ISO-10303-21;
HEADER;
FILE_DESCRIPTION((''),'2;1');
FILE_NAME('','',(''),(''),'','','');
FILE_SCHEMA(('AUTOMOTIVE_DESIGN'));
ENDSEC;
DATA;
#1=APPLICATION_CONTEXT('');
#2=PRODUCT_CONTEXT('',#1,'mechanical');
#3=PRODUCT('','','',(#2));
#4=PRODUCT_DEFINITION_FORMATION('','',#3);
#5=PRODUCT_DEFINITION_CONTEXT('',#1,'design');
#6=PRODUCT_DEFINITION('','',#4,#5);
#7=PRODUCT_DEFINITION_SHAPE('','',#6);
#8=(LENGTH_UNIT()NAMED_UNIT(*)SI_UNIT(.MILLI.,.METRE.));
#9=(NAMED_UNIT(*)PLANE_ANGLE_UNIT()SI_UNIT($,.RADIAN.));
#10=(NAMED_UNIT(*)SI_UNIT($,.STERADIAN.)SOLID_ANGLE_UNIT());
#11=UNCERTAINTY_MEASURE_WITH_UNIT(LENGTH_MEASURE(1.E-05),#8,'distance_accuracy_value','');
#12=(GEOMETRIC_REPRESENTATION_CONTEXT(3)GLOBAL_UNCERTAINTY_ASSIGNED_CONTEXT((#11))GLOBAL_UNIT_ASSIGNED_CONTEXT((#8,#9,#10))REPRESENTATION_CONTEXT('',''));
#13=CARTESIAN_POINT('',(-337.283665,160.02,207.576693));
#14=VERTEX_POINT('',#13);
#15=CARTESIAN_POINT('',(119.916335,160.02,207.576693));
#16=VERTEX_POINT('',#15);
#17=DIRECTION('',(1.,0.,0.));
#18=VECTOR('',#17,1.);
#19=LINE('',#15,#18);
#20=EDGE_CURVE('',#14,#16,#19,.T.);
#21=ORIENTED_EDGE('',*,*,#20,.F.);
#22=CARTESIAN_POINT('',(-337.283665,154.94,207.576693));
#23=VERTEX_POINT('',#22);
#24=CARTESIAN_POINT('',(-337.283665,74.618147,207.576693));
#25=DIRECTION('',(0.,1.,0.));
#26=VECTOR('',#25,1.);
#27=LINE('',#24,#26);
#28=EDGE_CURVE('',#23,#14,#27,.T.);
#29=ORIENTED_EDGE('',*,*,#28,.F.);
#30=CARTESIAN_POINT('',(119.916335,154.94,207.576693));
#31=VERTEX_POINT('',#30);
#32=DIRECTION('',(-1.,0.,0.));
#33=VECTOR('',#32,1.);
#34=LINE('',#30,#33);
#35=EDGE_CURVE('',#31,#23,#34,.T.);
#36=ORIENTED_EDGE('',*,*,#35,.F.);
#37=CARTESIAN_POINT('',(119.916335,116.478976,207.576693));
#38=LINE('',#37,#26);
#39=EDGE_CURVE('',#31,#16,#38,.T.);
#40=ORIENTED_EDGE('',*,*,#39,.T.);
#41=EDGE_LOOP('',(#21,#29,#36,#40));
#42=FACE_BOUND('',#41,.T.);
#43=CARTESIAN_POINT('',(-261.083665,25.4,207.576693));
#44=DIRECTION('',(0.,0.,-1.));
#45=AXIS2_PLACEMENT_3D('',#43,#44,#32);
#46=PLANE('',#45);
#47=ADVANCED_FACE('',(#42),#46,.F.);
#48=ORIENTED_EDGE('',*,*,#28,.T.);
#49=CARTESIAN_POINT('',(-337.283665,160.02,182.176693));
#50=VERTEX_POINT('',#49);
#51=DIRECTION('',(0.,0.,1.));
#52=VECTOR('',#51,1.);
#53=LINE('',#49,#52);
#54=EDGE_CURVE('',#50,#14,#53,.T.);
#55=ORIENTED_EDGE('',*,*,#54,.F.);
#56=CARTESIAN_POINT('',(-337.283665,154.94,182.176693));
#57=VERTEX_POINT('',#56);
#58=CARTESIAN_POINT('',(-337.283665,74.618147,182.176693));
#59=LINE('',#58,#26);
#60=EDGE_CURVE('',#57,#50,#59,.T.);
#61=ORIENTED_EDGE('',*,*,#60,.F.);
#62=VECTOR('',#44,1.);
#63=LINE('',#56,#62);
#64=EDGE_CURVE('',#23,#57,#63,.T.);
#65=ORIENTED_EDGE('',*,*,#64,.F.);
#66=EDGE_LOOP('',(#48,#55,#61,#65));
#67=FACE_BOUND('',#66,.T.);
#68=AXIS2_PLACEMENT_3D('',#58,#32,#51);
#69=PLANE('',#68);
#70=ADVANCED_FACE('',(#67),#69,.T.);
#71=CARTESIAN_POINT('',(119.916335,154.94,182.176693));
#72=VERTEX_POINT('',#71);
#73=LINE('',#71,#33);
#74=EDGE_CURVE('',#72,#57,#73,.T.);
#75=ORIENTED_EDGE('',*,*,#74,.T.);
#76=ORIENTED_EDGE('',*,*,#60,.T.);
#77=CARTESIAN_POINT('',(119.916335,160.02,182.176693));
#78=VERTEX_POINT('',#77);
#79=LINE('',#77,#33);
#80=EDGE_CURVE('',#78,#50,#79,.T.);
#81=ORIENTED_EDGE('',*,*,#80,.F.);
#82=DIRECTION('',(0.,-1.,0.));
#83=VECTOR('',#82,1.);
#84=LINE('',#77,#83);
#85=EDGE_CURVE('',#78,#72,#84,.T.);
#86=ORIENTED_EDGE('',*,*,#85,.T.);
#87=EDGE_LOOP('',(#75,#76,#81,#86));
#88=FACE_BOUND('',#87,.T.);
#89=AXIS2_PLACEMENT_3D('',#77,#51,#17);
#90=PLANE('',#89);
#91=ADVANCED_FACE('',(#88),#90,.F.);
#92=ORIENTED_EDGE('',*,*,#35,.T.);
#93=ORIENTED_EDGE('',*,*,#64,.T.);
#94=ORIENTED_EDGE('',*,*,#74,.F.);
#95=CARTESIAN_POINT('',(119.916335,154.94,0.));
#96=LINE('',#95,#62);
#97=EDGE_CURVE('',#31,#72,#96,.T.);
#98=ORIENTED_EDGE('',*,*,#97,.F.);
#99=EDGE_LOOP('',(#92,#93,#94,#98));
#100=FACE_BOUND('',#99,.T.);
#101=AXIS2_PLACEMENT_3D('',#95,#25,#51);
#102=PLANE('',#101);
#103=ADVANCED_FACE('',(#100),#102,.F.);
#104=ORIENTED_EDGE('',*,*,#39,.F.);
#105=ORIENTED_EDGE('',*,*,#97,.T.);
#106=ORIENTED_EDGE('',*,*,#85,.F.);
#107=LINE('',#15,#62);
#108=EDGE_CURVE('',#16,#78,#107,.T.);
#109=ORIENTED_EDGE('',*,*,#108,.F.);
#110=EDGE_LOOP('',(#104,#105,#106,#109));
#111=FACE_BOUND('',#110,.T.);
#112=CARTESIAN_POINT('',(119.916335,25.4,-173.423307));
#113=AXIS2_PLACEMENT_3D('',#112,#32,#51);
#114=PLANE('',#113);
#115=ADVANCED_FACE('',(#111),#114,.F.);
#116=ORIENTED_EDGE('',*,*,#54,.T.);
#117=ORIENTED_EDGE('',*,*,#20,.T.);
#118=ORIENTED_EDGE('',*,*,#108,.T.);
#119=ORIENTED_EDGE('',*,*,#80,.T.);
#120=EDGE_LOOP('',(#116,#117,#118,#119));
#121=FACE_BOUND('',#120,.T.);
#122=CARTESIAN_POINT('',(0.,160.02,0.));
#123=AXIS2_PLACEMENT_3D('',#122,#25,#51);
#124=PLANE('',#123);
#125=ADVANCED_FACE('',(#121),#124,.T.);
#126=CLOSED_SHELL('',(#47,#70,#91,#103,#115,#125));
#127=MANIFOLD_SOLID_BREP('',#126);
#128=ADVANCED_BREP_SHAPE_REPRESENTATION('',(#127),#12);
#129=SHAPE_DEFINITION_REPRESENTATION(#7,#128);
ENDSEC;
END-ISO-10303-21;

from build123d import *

# Parameters (mm, degrees)
SKETCH1_W           = 381
SKETCH1_H           = 381
BOSS_EXTRUDE1_DEPTH = 25.4
FILLET1_R           = 25.4
BOSS_EXTRUDE2_START = 127
BOSS_EXTRUDE2_DEPTH = 127
FILLET5_R           = 2.54
FILLET6_R           = 2.54
SKETCH3_W           = 381
SKETCH3_H           = 45.536829563
BOSS_EXTRUDE3_DEPTH = 127
CUT_EXTRUDE1_START  = -127
CUT_EXTRUDE1_DEPTH  = 127
CUT_EXTRUDE2_START  = -127
CUT_EXTRUDE2_DEPTH  = 127
SKETCH7_W           = 159.592910526
SKETCH7_H           = 279.668363548
CUT_EXTRUDE3_DEPTH  = 540.805557869
CUT_EXTRUDE4_DEPTH  = 121.92
SKETCH10_W          = 12.830407975
SKETCH10_H          = 5.381034355
SKETCH10_W_2        = 12.189915085
SKETCH10_H_2        = 7.553204363
BOSS_EXTRUDE4_DEPTH = 5.08
SKETCH12_W          = 381
SKETCH12_H          = 5.08
BOSS_EXTRUDE5_DEPTH = 5.842
SKETCH14_W          = 25.4
SKETCH14_H          = 25.4
BOSS_EXTRUDE6_DEPTH = 5.08
SKETCH15_W          = 381
SKETCH15_H          = 25.4
BOSS_EXTRUDE7_DEPTH = 2.54
SKETCH18_W          = 25.978829563
SKETCH18_H          = 5.08
CUT_EXTRUDE6_DEPTH  = 463.44511455
SKETCH19_W          = 25.4
SKETCH19_H          = 2.54
CUT_EXTRUDE7_DEPTH  = 463.44511455
SKETCH21_W          = 76.2
SKETCH21_H          = 25.4
BOSS_EXTRUDE8_DEPTH = 5.08


with BuildPart() as part:
    # Sketch1 → Boss-Extrude1 (new body)
    with BuildSketch(Plane(origin=(0, 0, 0), x_dir=(1, 0, 0), z_dir=(0, 1, 0))):
        with Locations((-70.583665339, -17.076693227)):
            Rectangle(SKETCH1_W, SKETCH1_H)
    extrude(amount=BOSS_EXTRUDE1_DEPTH)

    # Fillet1
    fillet1_edges = [part.edges().sort_by_distance(p)[0] for p in [
        (-261.083665339, 12.7, -173.423306773),
        (119.916334661, 12.7, -173.423306773),
        (119.916334661, 12.7, 207.576693227),
        (-261.083665339, 12.7, 207.576693227),
    ]]
    fillet(fillet1_edges, radius=FILLET1_R)

    # Sketch2 → Boss-Extrude2 (add)
    with BuildSketch(Plane(origin=(0, 25.4, 0), x_dir=(1, 0, 0), z_dir=(0, 1, 0)).offset(BOSS_EXTRUDE2_START)):
        with BuildLine():
            ThreePointArc((94.516334661, -207.576693227), (112.476846903, -200.137205469), (119.916334661, -182.176693227))
            Line((119.916334661, -182.176693227), (119.916334661, -162.77058906))
            ThreePointArc((119.916334661, -162.77058906), (115.157902312, -162.131654008), (110.356896004, -162.096230085))
            Line((110.356896004, -162.096230085), (110.356896004, -169.819933243))
            ThreePointArc((110.356896004, -169.819933243), (110.63661406, -173.531591416), (110.356896004, -177.243249589))
            ThreePointArc((110.356896004, -177.243249589), (103.383001842, -191.043360408), (89.582891024, -198.017254569))
            ThreePointArc((89.582891024, -198.017254569), (85.871232851, -198.296972625), (82.159574678, -198.017254569))
            Line((82.159574678, -198.017254569), (74.435871519, -198.017254569))
            ThreePointArc((74.435871519, -198.017254569), (74.471295442, -202.818260878), (75.110230494, -207.576693227))
            Line((75.110230494, -207.576693227), (94.516334661, -207.576693227))
        make_face()
        with BuildLine():
            ThreePointArc((110.356896004, 127.942843631), (115.157902312, 127.978267553), (119.916334661, 128.617202605))
            Line((119.916334661, 128.617202605), (119.916334661, 148.023306773))
            ThreePointArc((119.916334661, 148.023306773), (112.476846903, 165.983819015), (94.516334661, 173.423306773))
            Line((94.516334661, 173.423306773), (75.110230494, 173.423306773))
            ThreePointArc((75.110230494, 173.423306773), (74.471295442, 168.664874423), (74.435871519, 163.863868115))
            Line((74.435871519, 163.863868115), (82.159574678, 163.863868115))
            ThreePointArc((82.159574678, 163.863868115), (85.871232851, 164.143586171), (89.582891024, 163.863868115))
            ThreePointArc((89.582891024, 163.863868115), (103.383001842, 156.889973954), (110.356896004, 143.089863135))
            ThreePointArc((110.356896004, 143.089863135), (110.63661406, 139.378204962), (110.356896004, 135.666546789))
            Line((110.356896004, 135.666546789), (110.356896004, 127.942843631))
        make_face()
        with BuildLine():
            Line((-235.683665339, -207.576693227), (-216.277561171, -207.576693227))
            ThreePointArc((-216.277561171, -207.576693227), (-215.638626119, -202.818260878), (-215.603202197, -198.017254569))
            Line((-215.603202197, -198.017254569), (-223.326905355, -198.017254569))
            ThreePointArc((-223.326905355, -198.017254569), (-227.038563528, -198.296972625), (-230.750221701, -198.017254569))
            ThreePointArc((-230.750221701, -198.017254569), (-244.55033252, -191.043360408), (-251.524226681, -177.243249589))
            ThreePointArc((-251.524226681, -177.243249589), (-251.803944737, -173.531591416), (-251.524226681, -169.819933243))
            Line((-251.524226681, -169.819933243), (-251.524226681, -162.096230085))
            ThreePointArc((-251.524226681, -162.096230085), (-256.325232989, -162.131654008), (-261.083665339, -162.77058906))
            Line((-261.083665339, -162.77058906), (-261.083665339, -182.176693227))
            ThreePointArc((-261.083665339, -182.176693227), (-253.644177581, -200.137205469), (-235.683665339, -207.576693227))
        make_face()
        with BuildLine():
            ThreePointArc((-215.603202197, 163.863868115), (-215.638626119, 168.664874423), (-216.277561171, 173.423306773))
            Line((-216.277561171, 173.423306773), (-235.683665339, 173.423306773))
            ThreePointArc((-235.683665339, 173.423306773), (-253.644177581, 165.983819015), (-261.083665339, 148.023306773))
            Line((-261.083665339, 148.023306773), (-261.083665339, 128.617202605))
            ThreePointArc((-261.083665339, 128.617202605), (-256.325232989, 127.978267553), (-251.524226681, 127.942843631))
            Line((-251.524226681, 127.942843631), (-251.524226681, 135.666546789))
            ThreePointArc((-251.524226681, 135.666546789), (-251.803944737, 139.378204962), (-251.524226681, 143.089863135))
            ThreePointArc((-251.524226681, 143.089863135), (-244.55033252, 156.889973954), (-230.750221701, 163.863868115))
            ThreePointArc((-230.750221701, 163.863868115), (-227.038563528, 164.143586171), (-223.326905355, 163.863868115))
            Line((-223.326905355, 163.863868115), (-215.603202197, 163.863868115))
        make_face()
    extrude(amount=-BOSS_EXTRUDE2_DEPTH)

    # Fillet5
    fillet5_edges = [part.edges().sort_by_distance(p)[0] for p in [
        (74.435871519, 88.9, -163.863868115),
        (110.356896004, 88.9, -127.942843631),
        (119.916334661, 88.9, -128.617202605),
        (75.110230494, 88.9, -173.423306773),
    ]]
    fillet(fillet5_edges, radius=FILLET5_R)

    # Fillet6
    fillet6_edges = [part.edges().sort_by_distance(p)[0] for p in [
        (-215.603202197, 88.9, -163.863868115),
        (-216.277561171, 88.9, -173.423306773),
        (-261.083665339, 88.9, -128.617202605),
        (-251.524226681, 88.9, -127.942843631),
        (74.435871519, 88.9, 198.017254569),
        (75.110230494, 88.9, 207.576693227),
        (119.916334661, 88.9, 162.77058906),
        (110.356896004, 88.9, 162.096230085),
        (-216.277561171, 88.9, 207.576693227),
        (-215.603202197, 88.9, 198.017254569),
        (-251.524226681, 88.9, 162.096230085),
        (-261.083665339, 88.9, 162.77058906),
    ]]
    fillet(fillet6_edges, radius=FILLET6_R)

    # Sketch3 → Boss-Extrude3 (add)
    with BuildSketch(Plane(origin=(0, 152.4, 0), x_dir=(1, 0, 0), z_dir=(0, 1, 0))):
        with Locations((-70.583665339, -184.808278446)):
            Rectangle(SKETCH3_W, SKETCH3_H)
    extrude(amount=BOSS_EXTRUDE3_DEPTH)

    # Sketch5 → Cut-Extrude1 (cut)
    with BuildSketch(Plane.XZ.offset(-152.4).offset(CUT_EXTRUDE1_START)):
        with BuildLine():
            Line((-261.083665339, 162.039863664), (-261.083665339, 164.916350572))
            ThreePointArc((-261.083665339, 164.916350572), (-260.459455915, 163.248613642), (-258.89362875, 162.400575222))
            ThreePointArc((-258.89362875, 162.400575222), (-256.499630965, 162.144358959), (-254.094230188, 162.039863664))
            Line((-254.094230188, 162.039863664), (-261.083665339, 162.039863664))
        make_face()
        with BuildLine():
            Line((-261.083665339, 207.576693227), (-235.683665339, 207.576693227))
            ThreePointArc((-235.683665339, 207.576693227), (-253.644177581, 200.137205469), (-261.083665339, 182.176693227))
            Line((-261.083665339, 182.176693227), (-261.083665339, 207.576693227))
        make_face()
    extrude(amount=CUT_EXTRUDE1_DEPTH, mode=Mode.SUBTRACT)

    # Sketch6 → Cut-Extrude2 (cut)
    with BuildSketch(Plane.XZ.offset(-152.4).offset(CUT_EXTRUDE2_START)):
        with BuildLine():
            Line((119.916334661, 162.039863664), (112.926899511, 162.039863664))
            ThreePointArc((112.926899511, 162.039863664), (115.332300288, 162.144358959), (117.726298073, 162.400575222))
            ThreePointArc((117.726298073, 162.400575222), (119.292125238, 163.248613642), (119.916334661, 164.916350572))
            Line((119.916334661, 164.916350572), (119.916334661, 162.039863664))
        make_face()
        with BuildLine():
            Line((119.916334661, 207.576693227), (119.916334661, 182.176693227))
            ThreePointArc((119.916334661, 182.176693227), (112.476846903, 200.137205469), (94.516334661, 207.576693227))
            Line((94.516334661, 207.576693227), (119.916334661, 207.576693227))
        make_face()
    extrude(amount=CUT_EXTRUDE2_DEPTH, mode=Mode.SUBTRACT)

    # Sketch7 → Cut-Extrude3 (cut, through all)
    with BuildSketch(Plane.XY.offset(207.576693227)):
        with Locations((-277.192611624, 12.565818226)):
            Rectangle(SKETCH7_W, SKETCH7_H)
        Polygon((188.205407311, 152.4), (-197.396156361, 152.4), (-197.396156361, -127.268363548), (-197.396156361, -138.930106511), (188.205407311, -138.930106511), align=None)
    extrude(amount=-CUT_EXTRUDE3_DEPTH, mode=Mode.SUBTRACT)

    # Sketch9 → Cut-Extrude4 (cut)
    with BuildSketch(Plane(origin=(0, 279.4, 0), x_dir=(1, 0, 0), z_dir=(0, 1, 0))):
        with BuildLine():
            Line((112.926899511, -162.039863664), (-254.094230188, -162.039863664))
            ThreePointArc((-254.094230188, -162.039863664), (-256.499630965, -162.144358959), (-258.89362875, -162.400575222))
            ThreePointArc((-258.89362875, -162.400575222), (-260.459455915, -163.248613642), (-261.083665339, -164.916350572))
            Line((-261.083665339, -164.916350572), (-261.083665339, -182.176693227))
            ThreePointArc((-261.083665339, -182.176693227), (-253.644177581, -200.137205469), (-235.683665339, -207.576693227))
            Line((-235.683665339, -207.576693227), (94.516334661, -207.576693227))
            ThreePointArc((94.516334661, -207.576693227), (112.476846903, -200.137205469), (119.916334661, -182.176693227))
            Line((119.916334661, -182.176693227), (119.916334661, -164.916350572))
            ThreePointArc((119.916334661, -164.916350572), (119.292125238, -163.248613642), (117.726298073, -162.400575222))
            ThreePointArc((117.726298073, -162.400575222), (115.332300288, -162.144358959), (112.926899511, -162.039863664))
        make_face()
    extrude(amount=-CUT_EXTRUDE4_DEPTH, mode=Mode.SUBTRACT)

    # Sketch10 → Boss-Extrude4 (add)
    with BuildSketch(Plane(origin=(0, 157.48, 0), x_dir=(1, 0, 0), z_dir=(0, 1, 0))):
        with Locations((-254.668461352, -164.730380842)):
            Rectangle(SKETCH10_W, SKETCH10_H)
        with Locations((113.821377119, -165.816465846)):
            Rectangle(SKETCH10_W_2, SKETCH10_H_2)
    extrude(amount=-BOSS_EXTRUDE4_DEPTH)

    # Sketch12 → Boss-Extrude5 (add)
    with BuildSketch(Plane(origin=(0, 0, 162.039863664), x_dir=(-1, 0, 0), z_dir=(0, 0, -1))):
        with Locations((70.583665339, 154.94)):
            Rectangle(SKETCH12_W, SKETCH12_H)
    extrude(amount=BOSS_EXTRUDE5_DEPTH)

    # Sketch14 → Boss-Extrude6 (add)
    with BuildSketch(Plane(origin=(0, 157.48, 0), x_dir=(1, 0, 0), z_dir=(0, 1, 0))):
        with Locations((107.216334661, -194.876693227)):
            Rectangle(SKETCH14_W, SKETCH14_H)
        with Locations((-248.383665339, -194.876693227)):
            Rectangle(SKETCH14_W, SKETCH14_H)
    extrude(amount=-BOSS_EXTRUDE6_DEPTH)

    # Sketch15 → Boss-Extrude7 (add)
    with BuildSketch(Plane(origin=(0, 157.48, 0), x_dir=(1, 0, 0), z_dir=(0, 1, 0))):
        with Locations((-70.583665339, -194.876693227)):
            Rectangle(SKETCH15_W, SKETCH15_H)
    extrude(amount=BOSS_EXTRUDE7_DEPTH)

    # Sketch18 → Cut-Extrude6 (cut, through all)
    with BuildSketch(Plane.ZY.offset(261.083665339)):
        with Locations((169.187278445, 154.94)):
            Rectangle(SKETCH18_W, SKETCH18_H)
    extrude(amount=-CUT_EXTRUDE6_DEPTH, mode=Mode.SUBTRACT)

    # Sketch19 → Cut-Extrude7 (cut, through all)
    with BuildSketch(Plane.ZY.offset(261.083665339)):
        with Locations((194.876693227, 153.67)):
            Rectangle(SKETCH19_W, SKETCH19_H)
    extrude(amount=-CUT_EXTRUDE7_DEPTH, mode=Mode.SUBTRACT)

    # Sketch21 → Boss-Extrude8 (add)
    with BuildSketch(Plane(origin=(0, 160.02, 0), x_dir=(1, 0, 0), z_dir=(0, 1, 0))):
        with Locations((-299.183665339, -194.876693227)):
            Rectangle(SKETCH21_W, SKETCH21_H)
    extrude(amount=-BOSS_EXTRUDE8_DEPTH)


solid = part.part
